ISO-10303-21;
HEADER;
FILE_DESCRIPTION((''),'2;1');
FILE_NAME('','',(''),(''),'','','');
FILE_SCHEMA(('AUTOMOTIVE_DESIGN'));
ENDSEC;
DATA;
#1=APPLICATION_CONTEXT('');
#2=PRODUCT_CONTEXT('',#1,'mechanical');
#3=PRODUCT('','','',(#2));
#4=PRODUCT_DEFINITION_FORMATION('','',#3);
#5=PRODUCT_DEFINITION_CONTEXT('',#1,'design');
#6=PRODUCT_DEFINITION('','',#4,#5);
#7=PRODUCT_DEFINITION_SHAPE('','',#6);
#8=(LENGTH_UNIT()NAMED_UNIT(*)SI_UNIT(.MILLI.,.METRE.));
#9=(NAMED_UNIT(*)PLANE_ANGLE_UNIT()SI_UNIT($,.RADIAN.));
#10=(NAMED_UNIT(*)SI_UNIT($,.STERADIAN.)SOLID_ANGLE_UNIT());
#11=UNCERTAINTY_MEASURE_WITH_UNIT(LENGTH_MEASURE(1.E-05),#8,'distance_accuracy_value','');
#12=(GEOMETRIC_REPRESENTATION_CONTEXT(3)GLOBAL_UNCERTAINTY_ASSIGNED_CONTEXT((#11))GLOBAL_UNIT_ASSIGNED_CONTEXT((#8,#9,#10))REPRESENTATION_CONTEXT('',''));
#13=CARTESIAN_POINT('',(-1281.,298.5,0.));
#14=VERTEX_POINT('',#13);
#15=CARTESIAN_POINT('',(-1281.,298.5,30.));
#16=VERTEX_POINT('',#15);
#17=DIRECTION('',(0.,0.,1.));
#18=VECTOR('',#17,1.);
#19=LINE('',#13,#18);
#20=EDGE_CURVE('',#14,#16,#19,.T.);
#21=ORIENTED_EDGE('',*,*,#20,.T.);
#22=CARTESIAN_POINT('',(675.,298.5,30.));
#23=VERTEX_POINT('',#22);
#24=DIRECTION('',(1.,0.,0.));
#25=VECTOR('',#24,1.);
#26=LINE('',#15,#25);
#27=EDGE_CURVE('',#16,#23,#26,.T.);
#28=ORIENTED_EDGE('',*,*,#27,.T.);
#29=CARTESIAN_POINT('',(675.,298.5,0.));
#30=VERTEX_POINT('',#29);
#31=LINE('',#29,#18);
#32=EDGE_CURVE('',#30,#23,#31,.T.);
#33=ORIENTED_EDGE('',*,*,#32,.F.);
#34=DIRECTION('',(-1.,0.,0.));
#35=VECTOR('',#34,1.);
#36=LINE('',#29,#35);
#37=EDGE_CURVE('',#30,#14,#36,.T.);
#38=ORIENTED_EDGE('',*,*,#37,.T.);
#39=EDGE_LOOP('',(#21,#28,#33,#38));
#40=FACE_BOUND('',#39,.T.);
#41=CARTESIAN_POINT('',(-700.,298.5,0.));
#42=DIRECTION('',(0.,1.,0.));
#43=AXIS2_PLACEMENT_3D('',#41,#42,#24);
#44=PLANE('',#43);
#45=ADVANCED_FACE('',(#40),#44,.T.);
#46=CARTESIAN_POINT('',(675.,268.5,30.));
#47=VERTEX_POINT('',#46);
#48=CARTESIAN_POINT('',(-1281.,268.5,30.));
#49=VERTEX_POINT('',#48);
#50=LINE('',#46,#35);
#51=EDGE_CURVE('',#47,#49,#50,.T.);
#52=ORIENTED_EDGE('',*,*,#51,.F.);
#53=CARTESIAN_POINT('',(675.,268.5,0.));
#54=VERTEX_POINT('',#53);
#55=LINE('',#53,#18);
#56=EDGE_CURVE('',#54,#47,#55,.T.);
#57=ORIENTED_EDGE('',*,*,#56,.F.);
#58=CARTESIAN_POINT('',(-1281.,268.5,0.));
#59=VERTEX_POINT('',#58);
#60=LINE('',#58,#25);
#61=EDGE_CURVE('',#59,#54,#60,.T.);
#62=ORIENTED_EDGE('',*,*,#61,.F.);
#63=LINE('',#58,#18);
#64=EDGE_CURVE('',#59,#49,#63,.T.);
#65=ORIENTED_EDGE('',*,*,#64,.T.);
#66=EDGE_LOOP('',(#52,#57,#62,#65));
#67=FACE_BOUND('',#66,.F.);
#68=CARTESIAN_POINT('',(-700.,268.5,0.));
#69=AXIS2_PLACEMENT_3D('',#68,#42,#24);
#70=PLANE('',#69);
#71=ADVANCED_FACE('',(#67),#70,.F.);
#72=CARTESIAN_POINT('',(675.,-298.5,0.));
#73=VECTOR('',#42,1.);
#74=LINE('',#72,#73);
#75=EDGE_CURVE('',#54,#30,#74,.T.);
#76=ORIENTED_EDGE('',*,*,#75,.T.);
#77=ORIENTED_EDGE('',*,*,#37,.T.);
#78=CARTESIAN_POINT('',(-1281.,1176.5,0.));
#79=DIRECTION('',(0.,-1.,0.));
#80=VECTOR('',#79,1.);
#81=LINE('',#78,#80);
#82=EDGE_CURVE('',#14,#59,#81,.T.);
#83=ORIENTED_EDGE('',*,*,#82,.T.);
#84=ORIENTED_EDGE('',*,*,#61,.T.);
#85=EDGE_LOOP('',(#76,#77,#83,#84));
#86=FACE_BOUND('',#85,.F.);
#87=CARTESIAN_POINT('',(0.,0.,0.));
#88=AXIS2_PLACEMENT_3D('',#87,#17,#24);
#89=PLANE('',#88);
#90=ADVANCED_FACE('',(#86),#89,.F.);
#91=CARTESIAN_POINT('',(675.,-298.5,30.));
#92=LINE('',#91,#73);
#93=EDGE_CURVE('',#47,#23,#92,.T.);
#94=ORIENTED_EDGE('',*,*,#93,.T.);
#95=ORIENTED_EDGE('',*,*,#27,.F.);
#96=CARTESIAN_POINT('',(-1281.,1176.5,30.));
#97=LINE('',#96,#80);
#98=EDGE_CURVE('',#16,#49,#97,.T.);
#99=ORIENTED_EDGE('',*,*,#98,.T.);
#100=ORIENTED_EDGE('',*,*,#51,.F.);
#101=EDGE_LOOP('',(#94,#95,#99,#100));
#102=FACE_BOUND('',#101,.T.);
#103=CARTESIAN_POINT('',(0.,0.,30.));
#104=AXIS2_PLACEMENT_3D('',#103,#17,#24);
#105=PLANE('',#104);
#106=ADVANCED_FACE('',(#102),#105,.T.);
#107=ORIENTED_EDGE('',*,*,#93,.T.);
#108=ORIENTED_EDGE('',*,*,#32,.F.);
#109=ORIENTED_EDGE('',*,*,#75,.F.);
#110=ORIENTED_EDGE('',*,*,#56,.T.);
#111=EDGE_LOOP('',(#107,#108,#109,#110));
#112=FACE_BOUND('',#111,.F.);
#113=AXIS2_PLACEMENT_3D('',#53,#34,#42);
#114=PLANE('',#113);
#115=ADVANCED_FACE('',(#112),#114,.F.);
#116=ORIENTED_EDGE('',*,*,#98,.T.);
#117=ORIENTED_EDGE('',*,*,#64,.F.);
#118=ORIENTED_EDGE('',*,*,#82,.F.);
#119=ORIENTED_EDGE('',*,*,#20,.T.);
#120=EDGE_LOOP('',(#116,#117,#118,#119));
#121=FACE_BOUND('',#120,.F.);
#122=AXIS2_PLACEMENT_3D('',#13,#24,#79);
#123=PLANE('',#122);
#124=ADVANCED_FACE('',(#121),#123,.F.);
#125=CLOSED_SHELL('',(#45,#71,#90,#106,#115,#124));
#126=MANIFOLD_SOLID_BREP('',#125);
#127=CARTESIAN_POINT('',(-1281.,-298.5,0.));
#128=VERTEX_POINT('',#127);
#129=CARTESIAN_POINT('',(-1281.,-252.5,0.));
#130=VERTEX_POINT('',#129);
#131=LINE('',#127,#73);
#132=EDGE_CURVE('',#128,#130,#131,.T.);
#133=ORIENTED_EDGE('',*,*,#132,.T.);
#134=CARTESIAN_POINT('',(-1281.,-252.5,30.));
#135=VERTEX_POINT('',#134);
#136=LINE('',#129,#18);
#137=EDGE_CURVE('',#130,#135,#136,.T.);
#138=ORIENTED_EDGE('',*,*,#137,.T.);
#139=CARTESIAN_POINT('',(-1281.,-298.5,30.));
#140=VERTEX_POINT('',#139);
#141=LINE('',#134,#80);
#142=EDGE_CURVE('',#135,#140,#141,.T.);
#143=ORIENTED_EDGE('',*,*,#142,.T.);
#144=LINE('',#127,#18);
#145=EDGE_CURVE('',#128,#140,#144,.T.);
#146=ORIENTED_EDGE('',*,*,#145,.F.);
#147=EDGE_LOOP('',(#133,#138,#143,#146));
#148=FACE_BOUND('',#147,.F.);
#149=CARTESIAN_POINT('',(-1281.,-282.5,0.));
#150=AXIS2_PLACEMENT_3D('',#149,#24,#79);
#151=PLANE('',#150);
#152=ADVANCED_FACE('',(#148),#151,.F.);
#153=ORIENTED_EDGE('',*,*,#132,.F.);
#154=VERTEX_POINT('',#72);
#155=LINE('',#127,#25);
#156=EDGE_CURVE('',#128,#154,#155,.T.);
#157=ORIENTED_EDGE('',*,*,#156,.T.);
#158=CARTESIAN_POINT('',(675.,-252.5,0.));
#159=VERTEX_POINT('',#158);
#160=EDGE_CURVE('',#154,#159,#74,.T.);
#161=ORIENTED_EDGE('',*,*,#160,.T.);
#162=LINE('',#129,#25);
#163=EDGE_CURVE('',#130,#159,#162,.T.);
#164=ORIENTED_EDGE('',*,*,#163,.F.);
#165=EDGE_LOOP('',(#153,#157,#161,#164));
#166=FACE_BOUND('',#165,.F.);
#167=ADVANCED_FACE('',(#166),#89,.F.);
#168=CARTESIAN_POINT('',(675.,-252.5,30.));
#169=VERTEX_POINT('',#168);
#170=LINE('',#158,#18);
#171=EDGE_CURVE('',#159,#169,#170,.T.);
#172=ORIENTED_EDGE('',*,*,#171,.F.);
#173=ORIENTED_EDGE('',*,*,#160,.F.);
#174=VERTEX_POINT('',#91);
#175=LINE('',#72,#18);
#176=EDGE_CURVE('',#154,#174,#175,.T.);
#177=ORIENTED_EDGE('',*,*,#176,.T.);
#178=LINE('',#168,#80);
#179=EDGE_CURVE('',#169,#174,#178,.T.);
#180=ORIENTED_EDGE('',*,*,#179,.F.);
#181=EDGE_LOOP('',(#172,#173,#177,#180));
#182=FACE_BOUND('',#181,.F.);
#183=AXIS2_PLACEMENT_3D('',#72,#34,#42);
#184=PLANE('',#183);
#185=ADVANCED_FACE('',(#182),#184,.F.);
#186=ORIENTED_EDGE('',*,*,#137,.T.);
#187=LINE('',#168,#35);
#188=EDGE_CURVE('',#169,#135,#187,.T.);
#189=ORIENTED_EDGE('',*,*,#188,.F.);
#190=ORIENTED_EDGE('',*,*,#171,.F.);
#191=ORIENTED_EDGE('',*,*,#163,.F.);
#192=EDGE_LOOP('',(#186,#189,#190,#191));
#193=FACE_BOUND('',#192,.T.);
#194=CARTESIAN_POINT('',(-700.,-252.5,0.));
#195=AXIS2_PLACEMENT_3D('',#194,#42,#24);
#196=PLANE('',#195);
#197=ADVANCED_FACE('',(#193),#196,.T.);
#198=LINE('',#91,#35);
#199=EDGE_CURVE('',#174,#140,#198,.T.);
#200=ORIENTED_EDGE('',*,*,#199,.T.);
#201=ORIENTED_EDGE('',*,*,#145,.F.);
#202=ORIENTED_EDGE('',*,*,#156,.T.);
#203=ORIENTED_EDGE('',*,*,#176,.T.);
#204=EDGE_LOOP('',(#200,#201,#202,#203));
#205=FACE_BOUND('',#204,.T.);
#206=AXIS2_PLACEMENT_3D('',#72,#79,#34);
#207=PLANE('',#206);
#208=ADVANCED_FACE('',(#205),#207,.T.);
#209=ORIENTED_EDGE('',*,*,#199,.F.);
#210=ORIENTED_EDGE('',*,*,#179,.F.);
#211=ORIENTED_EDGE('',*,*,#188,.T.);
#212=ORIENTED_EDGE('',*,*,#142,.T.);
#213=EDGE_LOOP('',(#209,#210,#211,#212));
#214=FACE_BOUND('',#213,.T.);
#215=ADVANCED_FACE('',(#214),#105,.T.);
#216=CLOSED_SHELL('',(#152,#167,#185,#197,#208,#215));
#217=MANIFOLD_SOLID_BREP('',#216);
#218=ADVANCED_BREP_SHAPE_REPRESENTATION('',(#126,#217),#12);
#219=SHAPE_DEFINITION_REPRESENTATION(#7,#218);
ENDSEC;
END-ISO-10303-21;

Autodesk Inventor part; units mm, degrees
ref_plane "YZ Plane" through (0, 0, 0) normal (1, 0, 0) x (0, 1, 0)
ref_plane "XZ Plane" through (0, 0, 0) normal (0, 1, 0) x (-1, 0, 0)
ref_plane "Plano de trabajo1" through (0, 0, 0) normal (0, 0, 1) x (1, 0, 0)
sketch "Boceto1" plane through (0, 0, 0) normal (0, 0, 1) x (1, 0, 0)
  line L0 (700, 298.5) -> (700, -298.5) projected
  line L1 (-743, 298.5) -> (700, 298.5) projected
  line L2 (-743, -298.5) -> (-743, 298.5) projected
  line L3 (700, -298.5) -> (-700, -298.5) projected
  line L4 (700, -298.5) -> (675, -298.5) projected
  line L5 (700, 298.5) -> (700, -298.5) projected
  line L6 (675, 298.5) -> (700, 298.5) projected
  line L7 (675, -298.5) -> (675, 298.5) projected
  line L8 (-700, 1251.5) -> (-700, -298.5) projected
  line L9 (-1297, 1251.5) -> (-700, 1251.5) projected
  line L10 (-1297, -358.5) -> (-1297, 1251.5) projected
  line L11 (-700, -298.5) -> (-1297, -298.5) projected
  line L12 (-1281, 1176.5) -> (-1281, -358.5) projected
  line L13 (-1297, 1176.5) -> (-1281, 1176.5) projected
  line L14 (-1297, -358.5) -> (-1297, 1176.5) projected
  line L15 (-1281, -358.5) -> (-1297, -358.5) projected
  line L16 (675, 298.5) -> (-1281, 298.5)
  line L17 (-1281, 298.5) -> (-1281, 268.5)
  line L18 (-1281, 268.5) -> (675, 268.5)
  line L19 (675, 268.5) -> (675, 298.5)
  line L20 (675, -298.5) -> (-1324, -298.5) projected
  line L21 (675, -282.5) -> (675, -298.5) projected
  line L22 (-1324, -282.5) -> (675, -282.5) projected
  line L23 (675, -282.5) -> (-1281, -282.5)
  line L24 (-1281, -282.5) -> (-1281, -252.5)
  line L25 (-1281, -252.5) -> (675, -252.5)
  line L26 (675, -252.5) -> (675, -282.5)
  line L27 (-1324, -298.5) -> (-1324, -282.5) projected
  point P0 (0, 0)
  point P1 (-1281, -282.5)
  point P2 (-1297, -282.5)
  point P3 (-1281, -282.5)
  point P4 (-1281, -282.5)
  point P5 (-1281, -298.5)
  point P6 (-1281, -282.5)
  dimension "d0" = 30
  dimension "d1" = 30
extrude "Extrusión1" add sketch "Boceto1" along normal blind 30 contours L7 L18 L8 L1 | L3 L8 L22 L7 | L8 L18 L2 L1 | L11 L2 L22 L8 | L22 L8 L25 L7 | L2 L18 L12 L16 | L22 L2 L25 L8 | L11 L12 L22 L2 | L22 L12 L25 L2
properties part number "BarrasLargas"
